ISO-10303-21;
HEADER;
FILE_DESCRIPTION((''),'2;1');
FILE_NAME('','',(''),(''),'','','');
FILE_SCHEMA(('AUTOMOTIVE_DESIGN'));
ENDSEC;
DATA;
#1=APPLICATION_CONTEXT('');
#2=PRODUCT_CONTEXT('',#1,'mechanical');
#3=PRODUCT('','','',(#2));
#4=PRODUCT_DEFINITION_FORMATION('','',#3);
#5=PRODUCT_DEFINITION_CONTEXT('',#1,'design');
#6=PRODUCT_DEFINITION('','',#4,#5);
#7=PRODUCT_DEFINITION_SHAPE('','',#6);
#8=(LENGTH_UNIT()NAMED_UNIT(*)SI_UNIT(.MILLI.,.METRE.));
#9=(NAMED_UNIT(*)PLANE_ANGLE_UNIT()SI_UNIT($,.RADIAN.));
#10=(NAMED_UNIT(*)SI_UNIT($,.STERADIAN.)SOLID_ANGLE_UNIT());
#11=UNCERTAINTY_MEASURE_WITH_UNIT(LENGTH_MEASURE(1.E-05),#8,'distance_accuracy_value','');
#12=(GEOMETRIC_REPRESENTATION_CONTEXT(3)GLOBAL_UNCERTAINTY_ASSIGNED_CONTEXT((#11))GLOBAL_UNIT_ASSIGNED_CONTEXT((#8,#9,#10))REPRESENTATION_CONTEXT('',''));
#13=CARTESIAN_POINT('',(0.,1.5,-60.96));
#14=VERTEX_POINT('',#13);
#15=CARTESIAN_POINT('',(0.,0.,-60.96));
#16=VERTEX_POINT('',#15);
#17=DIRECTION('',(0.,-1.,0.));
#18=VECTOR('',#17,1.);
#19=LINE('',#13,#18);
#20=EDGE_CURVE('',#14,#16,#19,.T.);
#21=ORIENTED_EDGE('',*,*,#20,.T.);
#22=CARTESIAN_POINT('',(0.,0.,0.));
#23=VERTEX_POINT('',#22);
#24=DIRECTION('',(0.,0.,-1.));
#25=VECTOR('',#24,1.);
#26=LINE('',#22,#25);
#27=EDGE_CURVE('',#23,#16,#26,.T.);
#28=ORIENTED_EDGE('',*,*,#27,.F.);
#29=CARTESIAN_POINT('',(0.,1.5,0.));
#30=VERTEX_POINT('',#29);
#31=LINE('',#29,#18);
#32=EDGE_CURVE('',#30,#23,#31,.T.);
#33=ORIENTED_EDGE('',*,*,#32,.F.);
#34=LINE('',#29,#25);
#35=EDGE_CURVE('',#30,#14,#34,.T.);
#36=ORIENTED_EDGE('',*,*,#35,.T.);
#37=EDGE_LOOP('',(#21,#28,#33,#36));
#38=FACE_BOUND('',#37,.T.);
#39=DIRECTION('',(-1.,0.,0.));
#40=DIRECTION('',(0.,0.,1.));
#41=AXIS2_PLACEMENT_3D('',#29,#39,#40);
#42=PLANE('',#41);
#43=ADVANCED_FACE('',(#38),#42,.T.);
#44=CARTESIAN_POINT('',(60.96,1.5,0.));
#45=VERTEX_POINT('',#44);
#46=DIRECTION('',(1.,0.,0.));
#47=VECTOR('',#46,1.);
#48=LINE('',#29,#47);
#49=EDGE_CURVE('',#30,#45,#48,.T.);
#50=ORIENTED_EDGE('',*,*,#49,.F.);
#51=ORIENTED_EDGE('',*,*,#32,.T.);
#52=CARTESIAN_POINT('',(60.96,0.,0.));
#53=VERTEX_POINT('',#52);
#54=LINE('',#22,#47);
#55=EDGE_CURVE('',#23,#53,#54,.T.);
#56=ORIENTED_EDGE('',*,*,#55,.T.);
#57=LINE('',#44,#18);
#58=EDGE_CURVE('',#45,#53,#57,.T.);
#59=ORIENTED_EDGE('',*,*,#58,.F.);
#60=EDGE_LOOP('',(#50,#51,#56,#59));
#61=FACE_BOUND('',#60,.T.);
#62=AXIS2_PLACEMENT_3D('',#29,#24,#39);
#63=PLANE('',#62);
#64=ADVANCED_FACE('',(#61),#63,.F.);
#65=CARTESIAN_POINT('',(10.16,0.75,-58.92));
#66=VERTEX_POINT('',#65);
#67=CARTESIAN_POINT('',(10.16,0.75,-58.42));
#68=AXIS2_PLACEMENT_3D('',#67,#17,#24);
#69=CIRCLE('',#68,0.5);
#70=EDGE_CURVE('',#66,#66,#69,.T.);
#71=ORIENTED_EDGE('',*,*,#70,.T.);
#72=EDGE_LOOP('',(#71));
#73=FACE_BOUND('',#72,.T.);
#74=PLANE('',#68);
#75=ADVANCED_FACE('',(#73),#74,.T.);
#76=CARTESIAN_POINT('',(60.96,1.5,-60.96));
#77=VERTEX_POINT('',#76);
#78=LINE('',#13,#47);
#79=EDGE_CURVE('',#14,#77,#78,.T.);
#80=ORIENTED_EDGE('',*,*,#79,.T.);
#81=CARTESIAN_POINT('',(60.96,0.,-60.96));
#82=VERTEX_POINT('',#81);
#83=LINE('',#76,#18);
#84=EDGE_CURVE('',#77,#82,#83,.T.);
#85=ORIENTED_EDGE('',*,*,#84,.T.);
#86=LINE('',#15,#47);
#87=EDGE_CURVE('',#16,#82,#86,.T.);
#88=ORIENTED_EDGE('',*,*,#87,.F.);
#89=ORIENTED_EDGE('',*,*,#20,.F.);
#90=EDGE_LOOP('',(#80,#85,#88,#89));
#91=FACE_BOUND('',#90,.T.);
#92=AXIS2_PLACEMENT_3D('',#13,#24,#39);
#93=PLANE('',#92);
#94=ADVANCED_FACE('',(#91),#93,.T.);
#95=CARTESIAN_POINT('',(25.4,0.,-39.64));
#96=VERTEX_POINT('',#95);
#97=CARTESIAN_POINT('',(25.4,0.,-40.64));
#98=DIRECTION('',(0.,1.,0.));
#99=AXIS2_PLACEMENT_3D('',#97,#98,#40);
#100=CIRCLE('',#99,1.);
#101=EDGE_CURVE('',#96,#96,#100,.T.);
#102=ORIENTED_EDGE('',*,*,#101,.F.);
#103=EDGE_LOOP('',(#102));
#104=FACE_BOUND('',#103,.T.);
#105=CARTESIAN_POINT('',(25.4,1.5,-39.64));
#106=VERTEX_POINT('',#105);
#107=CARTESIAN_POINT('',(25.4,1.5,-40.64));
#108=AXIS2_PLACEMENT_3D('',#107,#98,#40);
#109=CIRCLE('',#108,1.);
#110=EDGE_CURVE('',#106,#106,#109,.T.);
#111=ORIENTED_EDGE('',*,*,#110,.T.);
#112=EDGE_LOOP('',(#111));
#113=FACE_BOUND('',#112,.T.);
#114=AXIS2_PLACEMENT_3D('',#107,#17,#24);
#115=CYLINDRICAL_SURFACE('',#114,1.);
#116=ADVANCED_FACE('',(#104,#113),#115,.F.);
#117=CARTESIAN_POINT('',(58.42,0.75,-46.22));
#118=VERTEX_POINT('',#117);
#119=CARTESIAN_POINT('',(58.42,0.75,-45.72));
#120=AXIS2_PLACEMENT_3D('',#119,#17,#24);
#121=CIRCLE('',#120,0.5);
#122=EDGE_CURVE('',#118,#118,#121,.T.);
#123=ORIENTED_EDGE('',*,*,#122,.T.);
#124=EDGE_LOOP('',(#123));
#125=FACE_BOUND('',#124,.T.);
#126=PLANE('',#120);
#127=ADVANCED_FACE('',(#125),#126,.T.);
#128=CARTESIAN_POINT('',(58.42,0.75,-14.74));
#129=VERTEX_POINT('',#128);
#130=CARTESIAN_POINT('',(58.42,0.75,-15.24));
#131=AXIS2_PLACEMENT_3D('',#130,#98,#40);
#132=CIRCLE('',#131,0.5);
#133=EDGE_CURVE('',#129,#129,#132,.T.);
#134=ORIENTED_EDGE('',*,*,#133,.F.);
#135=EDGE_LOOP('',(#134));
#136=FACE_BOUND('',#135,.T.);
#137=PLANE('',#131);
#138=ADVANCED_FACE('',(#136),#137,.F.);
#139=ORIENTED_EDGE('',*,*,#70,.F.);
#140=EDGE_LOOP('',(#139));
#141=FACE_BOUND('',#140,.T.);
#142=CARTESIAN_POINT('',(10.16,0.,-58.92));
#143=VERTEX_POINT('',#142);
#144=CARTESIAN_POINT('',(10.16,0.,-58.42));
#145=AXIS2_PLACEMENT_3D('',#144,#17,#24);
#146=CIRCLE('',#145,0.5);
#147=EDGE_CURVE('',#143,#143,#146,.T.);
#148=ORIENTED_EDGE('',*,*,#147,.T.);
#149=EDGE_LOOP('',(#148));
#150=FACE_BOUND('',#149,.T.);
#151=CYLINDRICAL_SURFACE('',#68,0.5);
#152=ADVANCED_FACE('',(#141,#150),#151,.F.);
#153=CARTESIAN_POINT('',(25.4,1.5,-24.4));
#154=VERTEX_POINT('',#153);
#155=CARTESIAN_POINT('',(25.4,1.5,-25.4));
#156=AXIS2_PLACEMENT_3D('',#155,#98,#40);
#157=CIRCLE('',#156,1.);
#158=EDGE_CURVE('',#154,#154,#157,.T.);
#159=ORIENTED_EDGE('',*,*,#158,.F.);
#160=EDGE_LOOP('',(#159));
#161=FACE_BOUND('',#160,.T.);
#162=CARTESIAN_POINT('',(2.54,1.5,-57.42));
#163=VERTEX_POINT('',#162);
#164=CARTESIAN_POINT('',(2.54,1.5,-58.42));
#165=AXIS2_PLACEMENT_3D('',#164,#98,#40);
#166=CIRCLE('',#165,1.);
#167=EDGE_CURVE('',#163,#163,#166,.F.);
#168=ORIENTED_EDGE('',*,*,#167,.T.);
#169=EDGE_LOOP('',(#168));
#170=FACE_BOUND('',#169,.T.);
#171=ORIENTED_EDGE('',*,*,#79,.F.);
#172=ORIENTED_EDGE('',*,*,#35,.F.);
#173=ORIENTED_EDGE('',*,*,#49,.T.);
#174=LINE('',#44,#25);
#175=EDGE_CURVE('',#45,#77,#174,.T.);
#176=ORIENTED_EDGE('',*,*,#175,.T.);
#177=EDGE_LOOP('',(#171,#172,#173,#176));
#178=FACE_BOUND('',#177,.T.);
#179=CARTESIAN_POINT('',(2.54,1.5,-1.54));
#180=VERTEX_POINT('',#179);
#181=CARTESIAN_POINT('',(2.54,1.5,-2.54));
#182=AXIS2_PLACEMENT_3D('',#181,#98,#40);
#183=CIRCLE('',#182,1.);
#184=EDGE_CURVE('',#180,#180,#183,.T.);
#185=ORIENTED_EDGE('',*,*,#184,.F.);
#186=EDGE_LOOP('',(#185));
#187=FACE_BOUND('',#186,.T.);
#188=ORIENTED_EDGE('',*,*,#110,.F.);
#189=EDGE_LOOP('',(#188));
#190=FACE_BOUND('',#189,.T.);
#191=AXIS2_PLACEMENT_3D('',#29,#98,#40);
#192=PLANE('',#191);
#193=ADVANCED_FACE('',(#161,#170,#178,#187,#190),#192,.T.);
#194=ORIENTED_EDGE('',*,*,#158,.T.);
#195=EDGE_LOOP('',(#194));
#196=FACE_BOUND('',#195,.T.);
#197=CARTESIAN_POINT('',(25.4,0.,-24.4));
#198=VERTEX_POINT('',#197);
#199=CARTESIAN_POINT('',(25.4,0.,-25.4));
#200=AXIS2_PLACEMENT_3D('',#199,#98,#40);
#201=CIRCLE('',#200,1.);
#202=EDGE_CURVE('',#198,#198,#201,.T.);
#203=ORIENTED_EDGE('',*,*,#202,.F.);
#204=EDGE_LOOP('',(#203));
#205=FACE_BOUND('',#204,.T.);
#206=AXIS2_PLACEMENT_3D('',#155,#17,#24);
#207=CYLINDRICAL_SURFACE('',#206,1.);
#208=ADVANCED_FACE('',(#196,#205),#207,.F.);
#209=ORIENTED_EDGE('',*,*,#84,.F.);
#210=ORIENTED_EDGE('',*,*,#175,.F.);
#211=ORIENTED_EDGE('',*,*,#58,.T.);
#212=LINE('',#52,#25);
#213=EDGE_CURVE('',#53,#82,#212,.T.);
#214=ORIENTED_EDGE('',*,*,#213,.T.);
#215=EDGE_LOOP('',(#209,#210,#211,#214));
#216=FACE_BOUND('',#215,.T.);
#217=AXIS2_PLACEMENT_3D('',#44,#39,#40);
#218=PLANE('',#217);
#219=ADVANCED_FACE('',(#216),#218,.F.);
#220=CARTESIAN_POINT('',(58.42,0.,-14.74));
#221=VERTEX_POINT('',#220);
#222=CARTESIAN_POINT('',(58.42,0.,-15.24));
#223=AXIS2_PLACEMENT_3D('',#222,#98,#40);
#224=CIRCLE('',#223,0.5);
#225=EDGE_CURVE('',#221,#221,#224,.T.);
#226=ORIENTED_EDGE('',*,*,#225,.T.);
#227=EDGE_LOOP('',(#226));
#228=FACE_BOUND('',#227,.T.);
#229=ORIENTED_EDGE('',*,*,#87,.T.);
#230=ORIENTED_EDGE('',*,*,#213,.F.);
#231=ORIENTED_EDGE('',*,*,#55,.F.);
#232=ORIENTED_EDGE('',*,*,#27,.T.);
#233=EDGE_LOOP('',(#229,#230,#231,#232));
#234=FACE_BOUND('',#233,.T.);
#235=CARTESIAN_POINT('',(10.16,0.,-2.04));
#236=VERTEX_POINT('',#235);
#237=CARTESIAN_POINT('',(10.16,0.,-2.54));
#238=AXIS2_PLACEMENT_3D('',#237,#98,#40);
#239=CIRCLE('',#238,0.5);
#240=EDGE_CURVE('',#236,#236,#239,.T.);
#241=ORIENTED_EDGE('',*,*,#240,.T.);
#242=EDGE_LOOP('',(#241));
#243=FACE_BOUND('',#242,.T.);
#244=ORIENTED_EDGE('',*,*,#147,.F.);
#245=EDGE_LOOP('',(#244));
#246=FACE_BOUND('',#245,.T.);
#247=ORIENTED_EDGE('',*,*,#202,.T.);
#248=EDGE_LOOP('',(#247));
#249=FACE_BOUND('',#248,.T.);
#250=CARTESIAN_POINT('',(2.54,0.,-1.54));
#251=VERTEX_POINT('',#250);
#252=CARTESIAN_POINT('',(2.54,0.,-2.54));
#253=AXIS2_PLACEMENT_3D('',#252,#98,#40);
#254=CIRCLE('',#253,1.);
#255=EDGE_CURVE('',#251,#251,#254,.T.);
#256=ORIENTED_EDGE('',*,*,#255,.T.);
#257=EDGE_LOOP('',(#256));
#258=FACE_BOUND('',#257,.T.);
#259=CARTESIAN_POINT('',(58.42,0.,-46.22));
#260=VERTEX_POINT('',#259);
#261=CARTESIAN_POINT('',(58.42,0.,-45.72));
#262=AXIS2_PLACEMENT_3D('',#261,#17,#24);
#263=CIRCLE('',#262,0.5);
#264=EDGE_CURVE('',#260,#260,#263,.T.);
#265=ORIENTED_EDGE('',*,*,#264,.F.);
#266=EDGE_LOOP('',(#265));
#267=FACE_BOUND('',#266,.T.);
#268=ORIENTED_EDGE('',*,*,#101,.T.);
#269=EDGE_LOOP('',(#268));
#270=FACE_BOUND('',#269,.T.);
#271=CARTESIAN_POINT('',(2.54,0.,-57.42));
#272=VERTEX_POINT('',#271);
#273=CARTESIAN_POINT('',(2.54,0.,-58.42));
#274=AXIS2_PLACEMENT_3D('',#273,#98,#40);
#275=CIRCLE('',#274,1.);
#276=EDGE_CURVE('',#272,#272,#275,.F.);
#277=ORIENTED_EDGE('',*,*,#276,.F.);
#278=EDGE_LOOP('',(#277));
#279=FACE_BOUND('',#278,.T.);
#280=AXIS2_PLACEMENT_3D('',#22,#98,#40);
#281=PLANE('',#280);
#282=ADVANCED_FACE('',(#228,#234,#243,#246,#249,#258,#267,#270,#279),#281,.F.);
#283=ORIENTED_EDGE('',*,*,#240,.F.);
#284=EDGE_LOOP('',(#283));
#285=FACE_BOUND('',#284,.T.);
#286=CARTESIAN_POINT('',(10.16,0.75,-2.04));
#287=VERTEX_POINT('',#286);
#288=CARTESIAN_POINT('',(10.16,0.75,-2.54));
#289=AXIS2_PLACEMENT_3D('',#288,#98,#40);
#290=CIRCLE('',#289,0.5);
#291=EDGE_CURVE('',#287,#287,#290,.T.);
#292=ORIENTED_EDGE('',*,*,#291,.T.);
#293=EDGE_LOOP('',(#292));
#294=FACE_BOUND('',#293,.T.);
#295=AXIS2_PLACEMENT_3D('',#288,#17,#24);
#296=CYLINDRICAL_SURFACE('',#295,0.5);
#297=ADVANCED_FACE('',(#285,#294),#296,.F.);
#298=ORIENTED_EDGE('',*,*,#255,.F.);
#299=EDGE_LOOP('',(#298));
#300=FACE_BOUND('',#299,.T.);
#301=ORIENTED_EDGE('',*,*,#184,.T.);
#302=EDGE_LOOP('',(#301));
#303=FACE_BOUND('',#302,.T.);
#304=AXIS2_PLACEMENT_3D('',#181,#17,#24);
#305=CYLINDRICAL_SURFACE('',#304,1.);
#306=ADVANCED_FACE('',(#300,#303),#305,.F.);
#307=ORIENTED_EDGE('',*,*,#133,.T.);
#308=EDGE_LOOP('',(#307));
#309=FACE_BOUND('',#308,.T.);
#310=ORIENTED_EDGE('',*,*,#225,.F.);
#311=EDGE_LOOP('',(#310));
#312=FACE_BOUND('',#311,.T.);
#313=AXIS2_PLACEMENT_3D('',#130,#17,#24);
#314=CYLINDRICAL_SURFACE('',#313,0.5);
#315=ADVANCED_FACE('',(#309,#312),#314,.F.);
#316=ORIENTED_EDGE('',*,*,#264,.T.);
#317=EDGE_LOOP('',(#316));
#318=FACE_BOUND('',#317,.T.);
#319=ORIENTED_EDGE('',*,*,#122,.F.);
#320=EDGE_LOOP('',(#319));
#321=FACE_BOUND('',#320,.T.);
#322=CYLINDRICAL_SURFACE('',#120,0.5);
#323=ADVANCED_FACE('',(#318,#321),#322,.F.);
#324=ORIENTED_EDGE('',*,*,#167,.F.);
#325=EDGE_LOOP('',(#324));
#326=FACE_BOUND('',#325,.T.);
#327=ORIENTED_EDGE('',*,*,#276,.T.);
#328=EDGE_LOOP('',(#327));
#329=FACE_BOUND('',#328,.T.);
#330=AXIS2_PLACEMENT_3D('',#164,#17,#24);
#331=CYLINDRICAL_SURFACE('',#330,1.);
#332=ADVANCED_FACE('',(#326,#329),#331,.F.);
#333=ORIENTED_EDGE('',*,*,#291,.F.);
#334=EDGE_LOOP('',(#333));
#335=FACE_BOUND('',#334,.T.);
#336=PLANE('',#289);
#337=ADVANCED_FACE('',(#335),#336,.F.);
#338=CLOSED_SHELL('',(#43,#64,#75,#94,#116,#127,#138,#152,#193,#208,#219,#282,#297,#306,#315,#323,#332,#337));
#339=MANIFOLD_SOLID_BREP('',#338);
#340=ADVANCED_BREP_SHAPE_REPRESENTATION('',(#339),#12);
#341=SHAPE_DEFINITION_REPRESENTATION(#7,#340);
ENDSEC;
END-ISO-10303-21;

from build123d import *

# Parameters (mm, degrees)
SKETCH1_W           = 60.96
SKETCH1_H           = 60.96
SKETCH1_R           = 1
SKETCH1_R_2         = 0.5
BOSS_EXTRUDE1_DEPTH = 1.5
SKETCH1_3_R         = 0.5
CUT_EXTRUDE1_DEPTH  = 0.75


with BuildPart() as part:
    # Sketch1 → Boss-Extrude1 (new body)
    with BuildSketch(Plane(origin=(0, 0, 0), x_dir=(1, 0, 0), z_dir=(0, 1, 0))):
        with Locations((30.48, 30.48)):
            Rectangle(SKETCH1_W, SKETCH1_H)
        with Locations(Location((25.4, 40.64, 0), (0, 0, 270))):  # turned: the seam where the file's is
            Circle(SKETCH1_R, mode=Mode.SUBTRACT)
        with Locations(Location((25.4, 25.4, 0), (0, 0, 270))):  # turned: the seam where the file's is
            Circle(SKETCH1_R, mode=Mode.SUBTRACT)
        with Locations((10.16, 58.42)):
            Circle(SKETCH1_R_2, mode=Mode.SUBTRACT)
        with Locations(Location((2.54, 2.54, 0), (0, 0, 270))):  # turned: the seam where the file's is
            Circle(SKETCH1_R, mode=Mode.SUBTRACT)
        with Locations((10.16, 2.54)):
            Circle(SKETCH1_R_2, mode=Mode.SUBTRACT)
        with Locations((58.42, 15.24)):
            Circle(SKETCH1_R_2, mode=Mode.SUBTRACT)
        with Locations((58.42, 45.72)):
            Circle(SKETCH1_R_2, mode=Mode.SUBTRACT)
        with Locations(Location((2.54, 58.42, 0), (0, 0, 270))):  # turned: the seam where the file's is
            Circle(SKETCH1_R, mode=Mode.SUBTRACT)
        with Locations((10.16, 58.42)):
            Circle(SKETCH1_R_2)
        with Locations((58.42, 45.72)):
            Circle(SKETCH1_R_2)
        with Locations((58.42, 15.24)):
            Circle(SKETCH1_R_2)
        with Locations((10.16, 2.54)):
            Circle(SKETCH1_R_2)
    extrude(amount=BOSS_EXTRUDE1_DEPTH)

    # Sketch1_3 → Cut-Extrude1 (cut)
    with BuildSketch(Plane(origin=(0, 0, 0), x_dir=(1, 0, 0), z_dir=(0, 1, 0))):
        with Locations(Location((10.16, 2.54, 0), (0, 0, 270))):  # turned: the seam where the file's is
            Circle(SKETCH1_3_R)
        with Locations(Location((58.42, 15.24, 0), (0, 0, 270))):  # turned: the seam where the file's is
            Circle(SKETCH1_3_R)
        with Locations(Location((58.42, 45.72, 0), (0, 0, 90))):  # turned: the seam where the file's is
            Circle(SKETCH1_3_R)
        with Locations(Location((10.16, 58.42, 0), (0, 0, 90))):  # turned: the seam where the file's is
            Circle(SKETCH1_3_R)
    extrude(amount=CUT_EXTRUDE1_DEPTH, mode=Mode.SUBTRACT)


solid = part.part
